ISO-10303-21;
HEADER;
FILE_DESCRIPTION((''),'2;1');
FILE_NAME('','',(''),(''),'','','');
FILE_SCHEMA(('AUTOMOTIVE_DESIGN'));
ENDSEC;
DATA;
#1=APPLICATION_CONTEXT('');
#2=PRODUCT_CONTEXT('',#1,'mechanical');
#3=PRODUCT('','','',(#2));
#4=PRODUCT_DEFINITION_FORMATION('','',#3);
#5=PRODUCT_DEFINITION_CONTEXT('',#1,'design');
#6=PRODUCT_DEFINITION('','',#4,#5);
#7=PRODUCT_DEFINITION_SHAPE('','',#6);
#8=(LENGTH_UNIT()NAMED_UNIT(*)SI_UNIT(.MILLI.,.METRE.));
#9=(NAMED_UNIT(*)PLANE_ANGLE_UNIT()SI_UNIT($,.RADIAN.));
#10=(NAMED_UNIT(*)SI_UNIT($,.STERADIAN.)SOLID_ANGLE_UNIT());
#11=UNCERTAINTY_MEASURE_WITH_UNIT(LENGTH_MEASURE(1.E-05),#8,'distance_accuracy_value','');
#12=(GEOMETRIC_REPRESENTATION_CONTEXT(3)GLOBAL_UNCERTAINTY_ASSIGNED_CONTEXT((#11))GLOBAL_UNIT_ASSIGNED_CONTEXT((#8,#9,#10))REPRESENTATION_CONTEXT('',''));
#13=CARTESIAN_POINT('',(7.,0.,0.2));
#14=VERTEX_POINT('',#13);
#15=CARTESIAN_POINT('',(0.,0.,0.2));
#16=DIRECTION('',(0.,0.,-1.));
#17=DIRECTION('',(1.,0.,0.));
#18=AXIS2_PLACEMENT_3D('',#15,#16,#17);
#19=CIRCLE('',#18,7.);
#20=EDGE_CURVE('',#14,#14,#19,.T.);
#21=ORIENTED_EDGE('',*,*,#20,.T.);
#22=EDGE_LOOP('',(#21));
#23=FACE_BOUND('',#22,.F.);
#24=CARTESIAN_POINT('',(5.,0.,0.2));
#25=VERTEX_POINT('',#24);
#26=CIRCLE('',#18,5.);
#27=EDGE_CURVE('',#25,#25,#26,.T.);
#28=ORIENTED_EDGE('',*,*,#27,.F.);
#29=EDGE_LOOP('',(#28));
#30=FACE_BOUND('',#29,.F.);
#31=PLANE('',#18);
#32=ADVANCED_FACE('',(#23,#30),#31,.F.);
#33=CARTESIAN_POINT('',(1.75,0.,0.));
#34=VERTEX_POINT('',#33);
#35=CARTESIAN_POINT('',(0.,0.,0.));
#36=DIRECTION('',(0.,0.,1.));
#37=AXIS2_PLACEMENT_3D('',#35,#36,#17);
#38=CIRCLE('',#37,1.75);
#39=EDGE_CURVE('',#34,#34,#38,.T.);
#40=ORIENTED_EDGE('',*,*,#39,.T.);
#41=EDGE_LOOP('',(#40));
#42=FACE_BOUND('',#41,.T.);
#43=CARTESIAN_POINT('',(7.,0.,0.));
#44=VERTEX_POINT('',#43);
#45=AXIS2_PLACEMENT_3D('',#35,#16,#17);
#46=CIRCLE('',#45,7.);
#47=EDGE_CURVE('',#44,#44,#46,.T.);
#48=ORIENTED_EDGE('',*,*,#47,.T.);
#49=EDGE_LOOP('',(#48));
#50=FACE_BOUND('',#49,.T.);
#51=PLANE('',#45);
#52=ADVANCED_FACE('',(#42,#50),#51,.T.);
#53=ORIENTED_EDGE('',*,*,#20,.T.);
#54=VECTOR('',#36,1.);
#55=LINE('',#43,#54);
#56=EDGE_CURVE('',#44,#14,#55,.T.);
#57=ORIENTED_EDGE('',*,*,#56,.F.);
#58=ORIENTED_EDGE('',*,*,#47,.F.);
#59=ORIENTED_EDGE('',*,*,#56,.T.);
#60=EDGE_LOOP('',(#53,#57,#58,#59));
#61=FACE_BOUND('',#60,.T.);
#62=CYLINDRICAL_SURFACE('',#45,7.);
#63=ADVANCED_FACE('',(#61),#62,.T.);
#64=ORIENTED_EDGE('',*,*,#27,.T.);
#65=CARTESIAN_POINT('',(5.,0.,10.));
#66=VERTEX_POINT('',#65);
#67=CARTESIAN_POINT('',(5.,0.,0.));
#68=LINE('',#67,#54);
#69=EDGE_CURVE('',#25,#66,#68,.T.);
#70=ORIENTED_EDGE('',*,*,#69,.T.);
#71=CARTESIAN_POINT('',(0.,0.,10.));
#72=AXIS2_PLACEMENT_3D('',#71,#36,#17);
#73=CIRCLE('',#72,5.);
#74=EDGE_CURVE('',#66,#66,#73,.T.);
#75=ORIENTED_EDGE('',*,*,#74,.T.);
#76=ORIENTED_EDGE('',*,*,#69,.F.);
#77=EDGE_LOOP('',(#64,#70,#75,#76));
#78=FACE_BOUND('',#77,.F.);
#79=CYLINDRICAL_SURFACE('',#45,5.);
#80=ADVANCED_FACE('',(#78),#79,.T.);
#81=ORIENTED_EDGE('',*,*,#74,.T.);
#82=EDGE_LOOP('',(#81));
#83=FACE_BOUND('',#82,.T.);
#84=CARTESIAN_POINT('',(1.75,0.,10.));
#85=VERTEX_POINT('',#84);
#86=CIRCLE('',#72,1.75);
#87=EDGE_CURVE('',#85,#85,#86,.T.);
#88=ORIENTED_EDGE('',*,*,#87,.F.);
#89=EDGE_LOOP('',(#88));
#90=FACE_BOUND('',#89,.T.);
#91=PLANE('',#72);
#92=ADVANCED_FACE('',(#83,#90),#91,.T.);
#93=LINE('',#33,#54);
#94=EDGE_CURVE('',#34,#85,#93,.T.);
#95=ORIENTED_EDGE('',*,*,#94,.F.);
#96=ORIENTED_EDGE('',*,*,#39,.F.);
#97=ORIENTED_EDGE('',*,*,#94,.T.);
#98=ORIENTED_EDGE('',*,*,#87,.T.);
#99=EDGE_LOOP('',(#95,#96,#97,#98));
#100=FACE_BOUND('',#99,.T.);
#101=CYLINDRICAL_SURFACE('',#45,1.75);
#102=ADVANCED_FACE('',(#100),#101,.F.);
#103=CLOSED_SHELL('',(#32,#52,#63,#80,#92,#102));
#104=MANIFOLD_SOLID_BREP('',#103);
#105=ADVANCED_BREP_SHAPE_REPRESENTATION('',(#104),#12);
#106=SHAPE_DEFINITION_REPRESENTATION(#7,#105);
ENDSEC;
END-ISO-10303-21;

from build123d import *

# Parameters (mm, degrees)
F0_R     = 5
F0_R_2   = 1.75
F1_DEPTH = 10
F2_R     = 7
F2_R_2   = 5
F3_DEPTH = 0.2


with BuildPart() as f1:
    # F0 (on Top) → F1 (new body)
    with BuildSketch(Plane.XY):
        Circle(F0_R)
        Circle(F0_R_2, mode=Mode.SUBTRACT)
    extrude(amount=F1_DEPTH)

    # F2 (on face) → F3 (join)
    with BuildSketch(Plane(origin=(0, 0, 0), x_dir=(1, 0, 0), z_dir=(0, 0, -1))):
        Circle(F2_R)
        Circle(F2_R_2, mode=Mode.SUBTRACT)
    extrude(amount=-F3_DEPTH)


solid = f1.part
